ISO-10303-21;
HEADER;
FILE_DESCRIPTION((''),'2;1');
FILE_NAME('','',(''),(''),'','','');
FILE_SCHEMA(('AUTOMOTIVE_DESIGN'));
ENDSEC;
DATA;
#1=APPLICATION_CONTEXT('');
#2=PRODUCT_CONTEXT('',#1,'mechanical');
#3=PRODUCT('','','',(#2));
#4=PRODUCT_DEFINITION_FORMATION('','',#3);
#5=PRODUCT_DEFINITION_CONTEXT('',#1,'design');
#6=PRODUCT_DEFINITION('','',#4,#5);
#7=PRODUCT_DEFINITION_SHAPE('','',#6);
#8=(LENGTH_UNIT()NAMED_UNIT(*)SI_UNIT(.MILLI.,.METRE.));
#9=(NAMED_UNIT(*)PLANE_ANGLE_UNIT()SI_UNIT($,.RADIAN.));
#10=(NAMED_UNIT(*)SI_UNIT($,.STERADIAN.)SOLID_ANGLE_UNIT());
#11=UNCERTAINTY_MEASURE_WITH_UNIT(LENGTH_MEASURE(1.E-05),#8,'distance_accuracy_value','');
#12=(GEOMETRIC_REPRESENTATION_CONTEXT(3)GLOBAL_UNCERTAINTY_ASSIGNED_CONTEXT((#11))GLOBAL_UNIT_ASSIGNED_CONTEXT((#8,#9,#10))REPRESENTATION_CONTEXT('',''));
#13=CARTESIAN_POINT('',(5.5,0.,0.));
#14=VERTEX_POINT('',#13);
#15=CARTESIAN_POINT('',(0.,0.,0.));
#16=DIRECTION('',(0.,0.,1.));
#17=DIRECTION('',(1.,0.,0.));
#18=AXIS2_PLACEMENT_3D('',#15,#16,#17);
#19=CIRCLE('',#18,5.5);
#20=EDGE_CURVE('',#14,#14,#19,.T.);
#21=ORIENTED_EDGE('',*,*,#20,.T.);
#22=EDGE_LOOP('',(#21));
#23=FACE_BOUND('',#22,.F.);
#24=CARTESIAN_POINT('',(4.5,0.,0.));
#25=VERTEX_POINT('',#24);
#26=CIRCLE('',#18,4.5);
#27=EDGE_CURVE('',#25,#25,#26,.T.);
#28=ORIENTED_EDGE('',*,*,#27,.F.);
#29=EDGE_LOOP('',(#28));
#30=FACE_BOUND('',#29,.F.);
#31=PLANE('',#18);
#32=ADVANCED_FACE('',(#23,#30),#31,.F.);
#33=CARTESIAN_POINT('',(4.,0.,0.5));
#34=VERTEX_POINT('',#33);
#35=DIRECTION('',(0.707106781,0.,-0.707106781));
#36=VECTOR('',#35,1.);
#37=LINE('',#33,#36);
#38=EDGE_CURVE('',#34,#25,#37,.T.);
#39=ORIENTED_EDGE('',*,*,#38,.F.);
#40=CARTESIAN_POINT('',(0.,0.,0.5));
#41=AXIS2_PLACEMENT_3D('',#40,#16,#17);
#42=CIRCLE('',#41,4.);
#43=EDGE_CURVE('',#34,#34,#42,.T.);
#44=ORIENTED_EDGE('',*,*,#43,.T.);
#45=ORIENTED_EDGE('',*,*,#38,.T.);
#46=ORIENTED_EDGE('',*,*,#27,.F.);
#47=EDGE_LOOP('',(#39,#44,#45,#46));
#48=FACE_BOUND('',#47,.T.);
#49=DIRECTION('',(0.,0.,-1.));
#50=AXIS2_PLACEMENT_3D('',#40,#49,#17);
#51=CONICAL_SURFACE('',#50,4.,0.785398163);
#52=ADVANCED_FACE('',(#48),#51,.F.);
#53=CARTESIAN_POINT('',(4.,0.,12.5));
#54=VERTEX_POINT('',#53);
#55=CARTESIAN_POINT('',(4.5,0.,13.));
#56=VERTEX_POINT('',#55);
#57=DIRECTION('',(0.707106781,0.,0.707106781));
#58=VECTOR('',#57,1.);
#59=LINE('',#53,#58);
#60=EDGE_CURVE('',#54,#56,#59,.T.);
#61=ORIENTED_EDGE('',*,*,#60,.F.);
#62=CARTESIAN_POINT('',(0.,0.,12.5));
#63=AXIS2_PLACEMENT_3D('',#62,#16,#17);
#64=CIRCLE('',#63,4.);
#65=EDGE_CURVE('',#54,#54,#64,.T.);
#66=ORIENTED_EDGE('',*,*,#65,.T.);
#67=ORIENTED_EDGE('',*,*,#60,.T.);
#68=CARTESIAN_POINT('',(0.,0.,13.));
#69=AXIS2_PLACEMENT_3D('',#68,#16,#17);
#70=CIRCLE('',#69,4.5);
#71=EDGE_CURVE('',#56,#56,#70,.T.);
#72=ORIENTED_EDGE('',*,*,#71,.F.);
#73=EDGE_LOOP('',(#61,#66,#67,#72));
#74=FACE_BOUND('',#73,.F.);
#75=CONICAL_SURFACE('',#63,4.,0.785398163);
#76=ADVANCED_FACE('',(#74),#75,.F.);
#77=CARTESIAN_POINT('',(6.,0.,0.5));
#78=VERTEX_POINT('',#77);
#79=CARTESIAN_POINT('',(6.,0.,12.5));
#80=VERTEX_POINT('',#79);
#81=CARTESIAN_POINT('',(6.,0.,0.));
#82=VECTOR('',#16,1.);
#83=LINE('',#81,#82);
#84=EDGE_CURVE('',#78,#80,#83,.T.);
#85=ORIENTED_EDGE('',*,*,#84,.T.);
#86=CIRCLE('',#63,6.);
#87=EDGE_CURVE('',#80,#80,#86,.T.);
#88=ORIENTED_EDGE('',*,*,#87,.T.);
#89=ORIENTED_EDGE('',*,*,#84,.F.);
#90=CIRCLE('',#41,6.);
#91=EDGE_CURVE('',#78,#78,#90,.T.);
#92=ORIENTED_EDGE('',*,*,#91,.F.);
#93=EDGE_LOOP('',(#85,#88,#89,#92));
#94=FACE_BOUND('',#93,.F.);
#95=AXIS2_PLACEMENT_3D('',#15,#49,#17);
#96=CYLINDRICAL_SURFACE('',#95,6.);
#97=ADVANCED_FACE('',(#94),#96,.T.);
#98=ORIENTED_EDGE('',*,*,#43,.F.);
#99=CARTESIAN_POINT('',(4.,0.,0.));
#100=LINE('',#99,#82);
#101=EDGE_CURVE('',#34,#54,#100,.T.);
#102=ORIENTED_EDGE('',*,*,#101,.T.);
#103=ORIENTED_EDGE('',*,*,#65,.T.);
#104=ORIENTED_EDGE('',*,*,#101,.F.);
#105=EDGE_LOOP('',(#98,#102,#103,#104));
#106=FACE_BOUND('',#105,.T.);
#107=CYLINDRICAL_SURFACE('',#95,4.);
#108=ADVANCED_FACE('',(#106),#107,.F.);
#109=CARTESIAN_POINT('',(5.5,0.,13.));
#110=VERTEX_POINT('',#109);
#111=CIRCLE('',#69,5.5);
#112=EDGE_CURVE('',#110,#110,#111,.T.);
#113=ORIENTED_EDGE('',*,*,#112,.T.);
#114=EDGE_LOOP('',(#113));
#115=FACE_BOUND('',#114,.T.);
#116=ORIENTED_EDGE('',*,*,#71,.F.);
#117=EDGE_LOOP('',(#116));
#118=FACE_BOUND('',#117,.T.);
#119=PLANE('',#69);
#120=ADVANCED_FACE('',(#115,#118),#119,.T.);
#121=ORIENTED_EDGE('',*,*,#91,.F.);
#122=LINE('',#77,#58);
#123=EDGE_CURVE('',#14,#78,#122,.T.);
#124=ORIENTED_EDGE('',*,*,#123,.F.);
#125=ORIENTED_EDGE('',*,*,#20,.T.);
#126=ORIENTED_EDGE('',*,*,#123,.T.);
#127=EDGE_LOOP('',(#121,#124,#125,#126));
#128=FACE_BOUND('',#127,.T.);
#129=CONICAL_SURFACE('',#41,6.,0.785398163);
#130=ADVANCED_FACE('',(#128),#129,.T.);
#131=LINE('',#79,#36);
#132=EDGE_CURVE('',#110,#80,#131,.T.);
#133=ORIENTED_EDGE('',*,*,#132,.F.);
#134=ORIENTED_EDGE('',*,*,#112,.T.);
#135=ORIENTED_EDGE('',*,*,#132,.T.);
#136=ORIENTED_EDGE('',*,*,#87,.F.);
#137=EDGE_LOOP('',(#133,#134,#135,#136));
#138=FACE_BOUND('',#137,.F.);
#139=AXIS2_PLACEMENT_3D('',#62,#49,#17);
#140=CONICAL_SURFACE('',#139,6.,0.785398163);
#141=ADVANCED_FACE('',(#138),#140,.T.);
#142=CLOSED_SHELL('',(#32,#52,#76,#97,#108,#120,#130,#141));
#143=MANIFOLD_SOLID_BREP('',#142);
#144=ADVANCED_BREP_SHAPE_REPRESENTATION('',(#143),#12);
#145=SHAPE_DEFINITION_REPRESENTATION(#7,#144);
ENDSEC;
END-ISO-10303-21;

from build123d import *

# Parameters (mm, degrees)
F0_R     = 6
F0_R_2   = 4
F1_DEPTH = 13
F2_SIZE  = 0.5
F3_SIZE  = 0.5
F4_SIZE  = 0.5


with BuildPart() as f1:
    # F0 (on Top) → F1 (new body)
    with BuildSketch(Plane.XY):
        Circle(F0_R)
        Circle(F0_R_2, mode=Mode.SUBTRACT)
    extrude(amount=F1_DEPTH)

    # F2
    f2_edges = [f1.edges().sort_by_distance(p)[0] for p in [
        (-4, 0, 13),
    ]]
    chamfer(f2_edges, length=F2_SIZE)

    # F3
    f3_edges = [f1.edges().sort_by_distance(p)[0] for p in [
        (-4, 0, 0),
    ]]
    chamfer(f3_edges, length=F3_SIZE)

    # F4
    f4_edges = [f1.edges().sort_by_distance(p)[0] for p in [
        (-6, 0, 0),
        (-6, 0, 13),
    ]]
    chamfer(f4_edges, length=F4_SIZE)


solid = f1.part
